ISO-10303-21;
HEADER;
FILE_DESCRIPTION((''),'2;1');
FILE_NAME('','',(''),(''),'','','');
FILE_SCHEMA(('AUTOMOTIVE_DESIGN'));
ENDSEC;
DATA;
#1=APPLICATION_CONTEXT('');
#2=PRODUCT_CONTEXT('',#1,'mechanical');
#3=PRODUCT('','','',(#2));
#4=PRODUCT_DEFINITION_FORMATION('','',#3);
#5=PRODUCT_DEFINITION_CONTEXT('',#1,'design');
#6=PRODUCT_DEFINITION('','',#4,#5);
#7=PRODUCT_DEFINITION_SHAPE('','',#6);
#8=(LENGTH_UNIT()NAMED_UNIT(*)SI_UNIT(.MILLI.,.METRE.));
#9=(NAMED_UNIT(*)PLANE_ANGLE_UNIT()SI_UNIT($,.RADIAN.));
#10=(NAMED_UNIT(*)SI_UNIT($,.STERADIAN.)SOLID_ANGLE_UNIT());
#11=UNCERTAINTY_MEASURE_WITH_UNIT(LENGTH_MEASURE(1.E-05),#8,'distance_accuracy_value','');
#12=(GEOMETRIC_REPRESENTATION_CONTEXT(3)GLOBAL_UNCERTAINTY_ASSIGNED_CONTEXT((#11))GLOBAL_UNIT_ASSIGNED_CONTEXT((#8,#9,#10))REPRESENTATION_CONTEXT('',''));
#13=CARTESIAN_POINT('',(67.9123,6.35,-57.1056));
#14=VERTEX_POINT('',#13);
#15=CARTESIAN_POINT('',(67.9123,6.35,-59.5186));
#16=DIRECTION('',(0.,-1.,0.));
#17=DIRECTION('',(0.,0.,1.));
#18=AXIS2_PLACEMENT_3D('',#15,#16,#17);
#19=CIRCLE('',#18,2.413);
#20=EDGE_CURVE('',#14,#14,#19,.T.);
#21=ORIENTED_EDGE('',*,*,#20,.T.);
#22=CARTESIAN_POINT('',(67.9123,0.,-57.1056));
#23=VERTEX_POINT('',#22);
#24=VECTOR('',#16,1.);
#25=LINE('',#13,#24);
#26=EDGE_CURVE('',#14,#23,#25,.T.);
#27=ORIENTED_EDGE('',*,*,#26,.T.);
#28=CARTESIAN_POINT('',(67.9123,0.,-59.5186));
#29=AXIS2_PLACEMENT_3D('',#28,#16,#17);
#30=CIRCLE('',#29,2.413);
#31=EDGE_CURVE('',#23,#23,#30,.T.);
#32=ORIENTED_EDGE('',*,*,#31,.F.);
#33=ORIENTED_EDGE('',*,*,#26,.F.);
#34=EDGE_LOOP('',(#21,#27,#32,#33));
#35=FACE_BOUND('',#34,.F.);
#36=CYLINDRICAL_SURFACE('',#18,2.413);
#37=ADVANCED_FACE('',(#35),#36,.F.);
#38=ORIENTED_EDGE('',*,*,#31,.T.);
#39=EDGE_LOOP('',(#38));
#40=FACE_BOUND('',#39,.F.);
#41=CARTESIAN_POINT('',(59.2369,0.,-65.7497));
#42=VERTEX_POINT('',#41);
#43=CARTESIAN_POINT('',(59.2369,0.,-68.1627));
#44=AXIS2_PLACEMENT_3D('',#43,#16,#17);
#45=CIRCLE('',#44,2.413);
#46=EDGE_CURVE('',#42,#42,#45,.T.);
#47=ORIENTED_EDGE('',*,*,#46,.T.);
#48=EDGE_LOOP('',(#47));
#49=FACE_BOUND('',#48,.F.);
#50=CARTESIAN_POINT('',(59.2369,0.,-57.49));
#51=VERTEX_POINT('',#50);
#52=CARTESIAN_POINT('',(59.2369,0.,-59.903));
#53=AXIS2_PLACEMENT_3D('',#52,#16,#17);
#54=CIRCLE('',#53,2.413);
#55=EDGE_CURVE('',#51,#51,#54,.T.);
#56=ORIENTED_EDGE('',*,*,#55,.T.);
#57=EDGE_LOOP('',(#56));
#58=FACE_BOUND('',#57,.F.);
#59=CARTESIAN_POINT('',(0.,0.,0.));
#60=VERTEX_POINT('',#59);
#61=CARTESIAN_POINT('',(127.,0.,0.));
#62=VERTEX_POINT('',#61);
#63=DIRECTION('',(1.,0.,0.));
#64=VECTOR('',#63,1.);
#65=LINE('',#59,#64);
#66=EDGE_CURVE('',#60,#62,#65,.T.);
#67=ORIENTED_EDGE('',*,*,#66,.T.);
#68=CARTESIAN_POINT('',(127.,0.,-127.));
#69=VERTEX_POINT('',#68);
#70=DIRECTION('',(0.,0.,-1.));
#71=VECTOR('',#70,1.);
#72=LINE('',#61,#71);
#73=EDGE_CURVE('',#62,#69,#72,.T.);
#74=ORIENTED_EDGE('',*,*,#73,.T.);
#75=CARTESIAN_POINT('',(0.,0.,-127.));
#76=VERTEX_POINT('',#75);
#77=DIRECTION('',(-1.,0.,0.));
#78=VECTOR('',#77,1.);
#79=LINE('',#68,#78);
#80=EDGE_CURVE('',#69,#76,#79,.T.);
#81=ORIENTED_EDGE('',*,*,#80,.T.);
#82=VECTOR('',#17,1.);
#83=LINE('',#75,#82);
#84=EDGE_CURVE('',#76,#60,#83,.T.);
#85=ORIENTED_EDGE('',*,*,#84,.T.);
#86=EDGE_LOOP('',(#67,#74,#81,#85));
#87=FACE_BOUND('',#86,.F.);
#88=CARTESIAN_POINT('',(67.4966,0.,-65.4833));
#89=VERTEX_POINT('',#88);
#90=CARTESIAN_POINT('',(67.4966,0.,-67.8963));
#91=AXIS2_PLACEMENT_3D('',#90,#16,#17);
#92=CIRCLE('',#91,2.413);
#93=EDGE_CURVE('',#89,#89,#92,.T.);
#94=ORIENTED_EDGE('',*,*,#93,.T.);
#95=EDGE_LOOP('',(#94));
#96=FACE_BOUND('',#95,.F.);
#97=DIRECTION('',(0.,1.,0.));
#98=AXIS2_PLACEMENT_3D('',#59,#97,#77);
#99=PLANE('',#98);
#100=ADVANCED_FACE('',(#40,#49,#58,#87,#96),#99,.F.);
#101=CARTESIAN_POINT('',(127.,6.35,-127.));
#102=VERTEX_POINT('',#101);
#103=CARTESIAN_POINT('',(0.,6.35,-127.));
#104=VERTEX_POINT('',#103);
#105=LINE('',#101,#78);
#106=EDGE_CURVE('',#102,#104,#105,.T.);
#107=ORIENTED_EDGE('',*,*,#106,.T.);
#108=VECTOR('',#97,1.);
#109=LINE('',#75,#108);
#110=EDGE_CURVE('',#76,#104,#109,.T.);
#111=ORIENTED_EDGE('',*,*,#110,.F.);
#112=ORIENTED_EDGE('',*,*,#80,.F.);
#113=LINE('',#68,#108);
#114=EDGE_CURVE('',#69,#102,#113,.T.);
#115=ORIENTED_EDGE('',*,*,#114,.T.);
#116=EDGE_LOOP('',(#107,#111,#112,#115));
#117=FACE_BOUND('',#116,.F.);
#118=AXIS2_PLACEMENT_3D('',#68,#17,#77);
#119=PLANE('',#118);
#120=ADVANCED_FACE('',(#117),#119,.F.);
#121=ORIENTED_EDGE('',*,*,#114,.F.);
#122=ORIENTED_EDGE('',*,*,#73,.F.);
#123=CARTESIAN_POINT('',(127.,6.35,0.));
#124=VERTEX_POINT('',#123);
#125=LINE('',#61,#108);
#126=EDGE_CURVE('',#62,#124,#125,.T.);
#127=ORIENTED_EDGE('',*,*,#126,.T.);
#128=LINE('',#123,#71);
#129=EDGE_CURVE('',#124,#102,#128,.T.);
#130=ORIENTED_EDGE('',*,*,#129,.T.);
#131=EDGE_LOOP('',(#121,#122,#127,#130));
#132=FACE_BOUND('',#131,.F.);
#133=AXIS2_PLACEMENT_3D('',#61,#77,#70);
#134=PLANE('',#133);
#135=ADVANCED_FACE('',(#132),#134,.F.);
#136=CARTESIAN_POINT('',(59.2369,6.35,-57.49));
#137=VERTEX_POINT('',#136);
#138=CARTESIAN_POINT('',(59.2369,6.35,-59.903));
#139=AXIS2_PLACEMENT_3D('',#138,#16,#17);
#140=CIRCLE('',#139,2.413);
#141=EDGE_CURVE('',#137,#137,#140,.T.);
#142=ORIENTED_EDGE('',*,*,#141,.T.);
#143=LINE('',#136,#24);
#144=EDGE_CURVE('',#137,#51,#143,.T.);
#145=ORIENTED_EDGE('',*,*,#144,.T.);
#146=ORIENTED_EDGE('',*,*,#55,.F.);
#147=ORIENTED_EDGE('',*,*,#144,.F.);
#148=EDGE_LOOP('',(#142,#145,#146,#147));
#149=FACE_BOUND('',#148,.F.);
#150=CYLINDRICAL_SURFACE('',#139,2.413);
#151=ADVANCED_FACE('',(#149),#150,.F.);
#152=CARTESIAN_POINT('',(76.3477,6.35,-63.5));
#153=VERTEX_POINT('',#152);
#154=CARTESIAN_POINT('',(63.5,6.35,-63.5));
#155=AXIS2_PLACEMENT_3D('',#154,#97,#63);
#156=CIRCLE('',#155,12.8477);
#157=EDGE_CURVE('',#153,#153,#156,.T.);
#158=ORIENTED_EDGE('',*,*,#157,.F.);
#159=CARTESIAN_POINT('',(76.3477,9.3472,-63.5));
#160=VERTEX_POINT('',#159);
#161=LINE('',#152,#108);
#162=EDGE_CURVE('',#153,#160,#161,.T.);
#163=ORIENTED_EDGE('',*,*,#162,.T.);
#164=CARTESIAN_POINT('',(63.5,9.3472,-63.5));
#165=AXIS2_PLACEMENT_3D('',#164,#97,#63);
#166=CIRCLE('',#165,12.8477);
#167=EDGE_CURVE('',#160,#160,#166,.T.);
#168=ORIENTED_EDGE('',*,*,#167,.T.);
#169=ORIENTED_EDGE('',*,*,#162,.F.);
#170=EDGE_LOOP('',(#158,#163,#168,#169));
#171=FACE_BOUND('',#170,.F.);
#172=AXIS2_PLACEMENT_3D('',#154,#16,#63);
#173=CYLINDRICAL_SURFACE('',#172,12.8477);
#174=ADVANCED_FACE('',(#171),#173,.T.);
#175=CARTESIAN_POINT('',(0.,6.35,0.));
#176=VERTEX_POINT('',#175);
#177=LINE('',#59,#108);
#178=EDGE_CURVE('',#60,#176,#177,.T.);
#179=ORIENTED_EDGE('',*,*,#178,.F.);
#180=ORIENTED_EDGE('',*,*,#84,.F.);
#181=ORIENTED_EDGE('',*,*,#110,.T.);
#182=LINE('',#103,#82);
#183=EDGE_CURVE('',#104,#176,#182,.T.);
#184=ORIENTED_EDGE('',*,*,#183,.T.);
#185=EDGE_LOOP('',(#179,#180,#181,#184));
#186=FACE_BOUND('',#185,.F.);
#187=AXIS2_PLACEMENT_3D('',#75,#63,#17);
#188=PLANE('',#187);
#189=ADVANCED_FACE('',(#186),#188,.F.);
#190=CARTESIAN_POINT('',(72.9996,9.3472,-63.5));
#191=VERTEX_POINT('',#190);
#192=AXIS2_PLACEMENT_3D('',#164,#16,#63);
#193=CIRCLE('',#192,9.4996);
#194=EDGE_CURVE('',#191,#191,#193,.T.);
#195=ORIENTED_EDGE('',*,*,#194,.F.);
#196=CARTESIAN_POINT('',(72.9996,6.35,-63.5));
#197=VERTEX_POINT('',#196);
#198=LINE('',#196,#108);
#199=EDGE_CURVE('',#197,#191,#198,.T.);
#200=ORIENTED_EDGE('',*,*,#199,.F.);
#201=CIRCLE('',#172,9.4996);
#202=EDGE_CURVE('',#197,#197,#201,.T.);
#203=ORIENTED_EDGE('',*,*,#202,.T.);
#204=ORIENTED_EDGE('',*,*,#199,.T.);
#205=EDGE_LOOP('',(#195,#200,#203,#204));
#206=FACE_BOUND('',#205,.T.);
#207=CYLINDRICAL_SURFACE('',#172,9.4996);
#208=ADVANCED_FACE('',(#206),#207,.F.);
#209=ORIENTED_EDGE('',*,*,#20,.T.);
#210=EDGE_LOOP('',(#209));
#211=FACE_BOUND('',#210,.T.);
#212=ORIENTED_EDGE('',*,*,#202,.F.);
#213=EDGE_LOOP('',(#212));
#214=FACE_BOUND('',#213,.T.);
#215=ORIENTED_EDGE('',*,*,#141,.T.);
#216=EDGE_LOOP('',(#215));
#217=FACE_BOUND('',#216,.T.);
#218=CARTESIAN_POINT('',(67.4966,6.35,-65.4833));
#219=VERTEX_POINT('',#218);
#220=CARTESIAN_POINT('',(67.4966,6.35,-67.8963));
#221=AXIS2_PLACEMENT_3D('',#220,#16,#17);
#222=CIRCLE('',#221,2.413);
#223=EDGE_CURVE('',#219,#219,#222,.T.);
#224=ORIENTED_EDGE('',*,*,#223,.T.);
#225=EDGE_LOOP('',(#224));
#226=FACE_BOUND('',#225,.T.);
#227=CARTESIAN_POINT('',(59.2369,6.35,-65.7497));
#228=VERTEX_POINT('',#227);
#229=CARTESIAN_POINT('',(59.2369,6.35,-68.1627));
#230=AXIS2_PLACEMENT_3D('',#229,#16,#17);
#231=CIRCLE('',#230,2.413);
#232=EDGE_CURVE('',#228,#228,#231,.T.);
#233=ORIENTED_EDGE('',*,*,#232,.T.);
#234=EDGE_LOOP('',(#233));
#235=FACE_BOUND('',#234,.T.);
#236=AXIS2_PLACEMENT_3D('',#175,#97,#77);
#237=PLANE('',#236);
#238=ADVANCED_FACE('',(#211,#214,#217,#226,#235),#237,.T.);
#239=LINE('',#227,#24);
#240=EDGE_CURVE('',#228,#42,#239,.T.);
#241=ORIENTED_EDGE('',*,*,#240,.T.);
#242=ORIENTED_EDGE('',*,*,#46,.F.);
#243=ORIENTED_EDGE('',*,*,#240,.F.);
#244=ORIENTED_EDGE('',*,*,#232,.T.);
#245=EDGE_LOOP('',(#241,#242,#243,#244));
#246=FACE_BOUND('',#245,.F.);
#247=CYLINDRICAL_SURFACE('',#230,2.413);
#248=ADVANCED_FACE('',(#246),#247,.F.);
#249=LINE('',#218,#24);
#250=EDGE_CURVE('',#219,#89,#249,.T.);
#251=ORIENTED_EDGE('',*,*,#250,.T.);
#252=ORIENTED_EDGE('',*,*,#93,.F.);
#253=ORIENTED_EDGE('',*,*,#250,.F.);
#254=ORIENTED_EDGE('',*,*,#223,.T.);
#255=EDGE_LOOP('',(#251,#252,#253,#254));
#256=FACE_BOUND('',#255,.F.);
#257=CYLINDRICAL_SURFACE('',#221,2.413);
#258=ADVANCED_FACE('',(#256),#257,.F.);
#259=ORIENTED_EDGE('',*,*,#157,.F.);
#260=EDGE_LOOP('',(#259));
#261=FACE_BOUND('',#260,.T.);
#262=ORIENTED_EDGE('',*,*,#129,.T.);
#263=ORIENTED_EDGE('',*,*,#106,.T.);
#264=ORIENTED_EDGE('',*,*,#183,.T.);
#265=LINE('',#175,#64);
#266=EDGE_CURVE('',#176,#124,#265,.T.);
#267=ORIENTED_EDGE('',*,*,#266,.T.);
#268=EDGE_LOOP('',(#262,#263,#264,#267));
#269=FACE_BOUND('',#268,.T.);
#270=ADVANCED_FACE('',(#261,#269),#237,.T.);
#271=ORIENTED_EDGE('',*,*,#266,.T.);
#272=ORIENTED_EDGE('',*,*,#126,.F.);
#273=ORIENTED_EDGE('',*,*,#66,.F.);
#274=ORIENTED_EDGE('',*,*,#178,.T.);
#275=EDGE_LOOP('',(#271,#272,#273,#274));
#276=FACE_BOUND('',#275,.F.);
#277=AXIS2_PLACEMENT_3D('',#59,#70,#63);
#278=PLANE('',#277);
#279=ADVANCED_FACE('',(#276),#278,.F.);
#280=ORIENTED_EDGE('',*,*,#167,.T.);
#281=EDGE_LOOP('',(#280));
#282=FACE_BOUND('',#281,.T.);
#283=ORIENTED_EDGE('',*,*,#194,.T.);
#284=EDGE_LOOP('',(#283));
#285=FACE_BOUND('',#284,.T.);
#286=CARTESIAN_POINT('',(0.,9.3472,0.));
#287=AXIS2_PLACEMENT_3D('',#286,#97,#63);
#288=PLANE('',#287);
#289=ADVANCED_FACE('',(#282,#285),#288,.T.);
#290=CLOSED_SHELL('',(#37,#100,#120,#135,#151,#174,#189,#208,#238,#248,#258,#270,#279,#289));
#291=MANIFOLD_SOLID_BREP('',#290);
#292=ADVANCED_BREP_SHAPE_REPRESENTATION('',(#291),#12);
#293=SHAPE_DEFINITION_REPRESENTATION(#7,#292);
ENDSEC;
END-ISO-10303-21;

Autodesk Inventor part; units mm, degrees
ref_plane "YZ Plane" through (0, 0, 0) normal (1, 0, 0) x (0, 1, 0)
ref_plane "XZ Plane" through (0, 0, 0) normal (0, 1, 0) x (-1, 0, 0)
ref_plane "XY Plane" through (0, 0, 0) normal (0, 0, 1) x (1, 0, 0)
sketch "Sketch1" plane through (0, 0, 0) normal (0, 1, 0) x (-1, 0, 0)
  line L0 (0, 0) -> (-127, 0)
  line L1 (-127, 0) -> (-127, -127)
  line L2 (-127, -127) -> (0, -127)
  line L3 (0, -127) -> (0, 0)
  dimension "d0" = 127
  dimension "d1" = 127
extrude "Extrusion1" add sketch "Sketch1" along normal blind 6.35
sketch "Sketch2" plane through (0, 6.35, 0) normal (0, 1, 0) x (1, 0, 0)
  line L0 (0, 0) -> (127, 0) projected
  line L1 (127, 0) -> (127, 127) projected
  line L2 (56.7828, 56.7828) -> (70.2172, 70.2172)
  line L3 (127, 127) -> (127, 0)
  line L4 (70.2172, 56.7828) -> (56.7828, 70.2172)
  line L5 (0, 127) -> (0, 0) projected
  circle A0 centre (63.5, 63.5) radius 9.4996
  circle A1 centre (63.5, 63.5) radius 12.8477
extrude "Extrusion2" add sketch "Sketch2" along normal blind 2.9972
sketch "Sketch3" plane through (63.5, 6.35, -63.5) normal (0, 1, 0) x (1, 0, 0)
  circle A0 centre (0, 0) radius 9.4996 projected
  line L0 (9.4891, 0.446) -> (9.7729, 0.446) construction
  line L1 (-5.8104, 5.9947) -> (-6.6345, 6.7989)
  circle A1 centre (3.7745, 4.4415) radius 2.413
  circle A2 centre (4.4123, -3.9814) radius 2.413
  circle A3 centre (-4.3831, -3.9179) radius 2.413
  circle A4 centre (-4.0835, 4.3094) radius 2.413
  line L2 (6.1393, -5.6667) -> (6.9589, -6.4665)
  line L3 (5.4598, 6.1684) -> (6.3421, 7.0725)
  line L4 (-6.9155, -6.5129) -> (-6.0684, -5.6448)
  line L5 (6.9589, -6.4665) -> (6.1393, -5.6667)
  point P0 (-63.5, -63.5)
hole "Hole1" at (67.4966, 6.35, -67.8963) direction (0, -1, 0) diameter 4.826 end through all
hole "Hole2" at (59.2369, 6.35, -68.1627) direction (0, -1, 0) diameter 4.826 end through all
hole "Hole3" at (59.2369, 6.35, -59.903) direction (0, -1, 0) diameter 4.826 end through all
hole "Hole4" at (67.9123, 6.35, -59.5186) direction (0, -1, 0) diameter 4.826 end through all
